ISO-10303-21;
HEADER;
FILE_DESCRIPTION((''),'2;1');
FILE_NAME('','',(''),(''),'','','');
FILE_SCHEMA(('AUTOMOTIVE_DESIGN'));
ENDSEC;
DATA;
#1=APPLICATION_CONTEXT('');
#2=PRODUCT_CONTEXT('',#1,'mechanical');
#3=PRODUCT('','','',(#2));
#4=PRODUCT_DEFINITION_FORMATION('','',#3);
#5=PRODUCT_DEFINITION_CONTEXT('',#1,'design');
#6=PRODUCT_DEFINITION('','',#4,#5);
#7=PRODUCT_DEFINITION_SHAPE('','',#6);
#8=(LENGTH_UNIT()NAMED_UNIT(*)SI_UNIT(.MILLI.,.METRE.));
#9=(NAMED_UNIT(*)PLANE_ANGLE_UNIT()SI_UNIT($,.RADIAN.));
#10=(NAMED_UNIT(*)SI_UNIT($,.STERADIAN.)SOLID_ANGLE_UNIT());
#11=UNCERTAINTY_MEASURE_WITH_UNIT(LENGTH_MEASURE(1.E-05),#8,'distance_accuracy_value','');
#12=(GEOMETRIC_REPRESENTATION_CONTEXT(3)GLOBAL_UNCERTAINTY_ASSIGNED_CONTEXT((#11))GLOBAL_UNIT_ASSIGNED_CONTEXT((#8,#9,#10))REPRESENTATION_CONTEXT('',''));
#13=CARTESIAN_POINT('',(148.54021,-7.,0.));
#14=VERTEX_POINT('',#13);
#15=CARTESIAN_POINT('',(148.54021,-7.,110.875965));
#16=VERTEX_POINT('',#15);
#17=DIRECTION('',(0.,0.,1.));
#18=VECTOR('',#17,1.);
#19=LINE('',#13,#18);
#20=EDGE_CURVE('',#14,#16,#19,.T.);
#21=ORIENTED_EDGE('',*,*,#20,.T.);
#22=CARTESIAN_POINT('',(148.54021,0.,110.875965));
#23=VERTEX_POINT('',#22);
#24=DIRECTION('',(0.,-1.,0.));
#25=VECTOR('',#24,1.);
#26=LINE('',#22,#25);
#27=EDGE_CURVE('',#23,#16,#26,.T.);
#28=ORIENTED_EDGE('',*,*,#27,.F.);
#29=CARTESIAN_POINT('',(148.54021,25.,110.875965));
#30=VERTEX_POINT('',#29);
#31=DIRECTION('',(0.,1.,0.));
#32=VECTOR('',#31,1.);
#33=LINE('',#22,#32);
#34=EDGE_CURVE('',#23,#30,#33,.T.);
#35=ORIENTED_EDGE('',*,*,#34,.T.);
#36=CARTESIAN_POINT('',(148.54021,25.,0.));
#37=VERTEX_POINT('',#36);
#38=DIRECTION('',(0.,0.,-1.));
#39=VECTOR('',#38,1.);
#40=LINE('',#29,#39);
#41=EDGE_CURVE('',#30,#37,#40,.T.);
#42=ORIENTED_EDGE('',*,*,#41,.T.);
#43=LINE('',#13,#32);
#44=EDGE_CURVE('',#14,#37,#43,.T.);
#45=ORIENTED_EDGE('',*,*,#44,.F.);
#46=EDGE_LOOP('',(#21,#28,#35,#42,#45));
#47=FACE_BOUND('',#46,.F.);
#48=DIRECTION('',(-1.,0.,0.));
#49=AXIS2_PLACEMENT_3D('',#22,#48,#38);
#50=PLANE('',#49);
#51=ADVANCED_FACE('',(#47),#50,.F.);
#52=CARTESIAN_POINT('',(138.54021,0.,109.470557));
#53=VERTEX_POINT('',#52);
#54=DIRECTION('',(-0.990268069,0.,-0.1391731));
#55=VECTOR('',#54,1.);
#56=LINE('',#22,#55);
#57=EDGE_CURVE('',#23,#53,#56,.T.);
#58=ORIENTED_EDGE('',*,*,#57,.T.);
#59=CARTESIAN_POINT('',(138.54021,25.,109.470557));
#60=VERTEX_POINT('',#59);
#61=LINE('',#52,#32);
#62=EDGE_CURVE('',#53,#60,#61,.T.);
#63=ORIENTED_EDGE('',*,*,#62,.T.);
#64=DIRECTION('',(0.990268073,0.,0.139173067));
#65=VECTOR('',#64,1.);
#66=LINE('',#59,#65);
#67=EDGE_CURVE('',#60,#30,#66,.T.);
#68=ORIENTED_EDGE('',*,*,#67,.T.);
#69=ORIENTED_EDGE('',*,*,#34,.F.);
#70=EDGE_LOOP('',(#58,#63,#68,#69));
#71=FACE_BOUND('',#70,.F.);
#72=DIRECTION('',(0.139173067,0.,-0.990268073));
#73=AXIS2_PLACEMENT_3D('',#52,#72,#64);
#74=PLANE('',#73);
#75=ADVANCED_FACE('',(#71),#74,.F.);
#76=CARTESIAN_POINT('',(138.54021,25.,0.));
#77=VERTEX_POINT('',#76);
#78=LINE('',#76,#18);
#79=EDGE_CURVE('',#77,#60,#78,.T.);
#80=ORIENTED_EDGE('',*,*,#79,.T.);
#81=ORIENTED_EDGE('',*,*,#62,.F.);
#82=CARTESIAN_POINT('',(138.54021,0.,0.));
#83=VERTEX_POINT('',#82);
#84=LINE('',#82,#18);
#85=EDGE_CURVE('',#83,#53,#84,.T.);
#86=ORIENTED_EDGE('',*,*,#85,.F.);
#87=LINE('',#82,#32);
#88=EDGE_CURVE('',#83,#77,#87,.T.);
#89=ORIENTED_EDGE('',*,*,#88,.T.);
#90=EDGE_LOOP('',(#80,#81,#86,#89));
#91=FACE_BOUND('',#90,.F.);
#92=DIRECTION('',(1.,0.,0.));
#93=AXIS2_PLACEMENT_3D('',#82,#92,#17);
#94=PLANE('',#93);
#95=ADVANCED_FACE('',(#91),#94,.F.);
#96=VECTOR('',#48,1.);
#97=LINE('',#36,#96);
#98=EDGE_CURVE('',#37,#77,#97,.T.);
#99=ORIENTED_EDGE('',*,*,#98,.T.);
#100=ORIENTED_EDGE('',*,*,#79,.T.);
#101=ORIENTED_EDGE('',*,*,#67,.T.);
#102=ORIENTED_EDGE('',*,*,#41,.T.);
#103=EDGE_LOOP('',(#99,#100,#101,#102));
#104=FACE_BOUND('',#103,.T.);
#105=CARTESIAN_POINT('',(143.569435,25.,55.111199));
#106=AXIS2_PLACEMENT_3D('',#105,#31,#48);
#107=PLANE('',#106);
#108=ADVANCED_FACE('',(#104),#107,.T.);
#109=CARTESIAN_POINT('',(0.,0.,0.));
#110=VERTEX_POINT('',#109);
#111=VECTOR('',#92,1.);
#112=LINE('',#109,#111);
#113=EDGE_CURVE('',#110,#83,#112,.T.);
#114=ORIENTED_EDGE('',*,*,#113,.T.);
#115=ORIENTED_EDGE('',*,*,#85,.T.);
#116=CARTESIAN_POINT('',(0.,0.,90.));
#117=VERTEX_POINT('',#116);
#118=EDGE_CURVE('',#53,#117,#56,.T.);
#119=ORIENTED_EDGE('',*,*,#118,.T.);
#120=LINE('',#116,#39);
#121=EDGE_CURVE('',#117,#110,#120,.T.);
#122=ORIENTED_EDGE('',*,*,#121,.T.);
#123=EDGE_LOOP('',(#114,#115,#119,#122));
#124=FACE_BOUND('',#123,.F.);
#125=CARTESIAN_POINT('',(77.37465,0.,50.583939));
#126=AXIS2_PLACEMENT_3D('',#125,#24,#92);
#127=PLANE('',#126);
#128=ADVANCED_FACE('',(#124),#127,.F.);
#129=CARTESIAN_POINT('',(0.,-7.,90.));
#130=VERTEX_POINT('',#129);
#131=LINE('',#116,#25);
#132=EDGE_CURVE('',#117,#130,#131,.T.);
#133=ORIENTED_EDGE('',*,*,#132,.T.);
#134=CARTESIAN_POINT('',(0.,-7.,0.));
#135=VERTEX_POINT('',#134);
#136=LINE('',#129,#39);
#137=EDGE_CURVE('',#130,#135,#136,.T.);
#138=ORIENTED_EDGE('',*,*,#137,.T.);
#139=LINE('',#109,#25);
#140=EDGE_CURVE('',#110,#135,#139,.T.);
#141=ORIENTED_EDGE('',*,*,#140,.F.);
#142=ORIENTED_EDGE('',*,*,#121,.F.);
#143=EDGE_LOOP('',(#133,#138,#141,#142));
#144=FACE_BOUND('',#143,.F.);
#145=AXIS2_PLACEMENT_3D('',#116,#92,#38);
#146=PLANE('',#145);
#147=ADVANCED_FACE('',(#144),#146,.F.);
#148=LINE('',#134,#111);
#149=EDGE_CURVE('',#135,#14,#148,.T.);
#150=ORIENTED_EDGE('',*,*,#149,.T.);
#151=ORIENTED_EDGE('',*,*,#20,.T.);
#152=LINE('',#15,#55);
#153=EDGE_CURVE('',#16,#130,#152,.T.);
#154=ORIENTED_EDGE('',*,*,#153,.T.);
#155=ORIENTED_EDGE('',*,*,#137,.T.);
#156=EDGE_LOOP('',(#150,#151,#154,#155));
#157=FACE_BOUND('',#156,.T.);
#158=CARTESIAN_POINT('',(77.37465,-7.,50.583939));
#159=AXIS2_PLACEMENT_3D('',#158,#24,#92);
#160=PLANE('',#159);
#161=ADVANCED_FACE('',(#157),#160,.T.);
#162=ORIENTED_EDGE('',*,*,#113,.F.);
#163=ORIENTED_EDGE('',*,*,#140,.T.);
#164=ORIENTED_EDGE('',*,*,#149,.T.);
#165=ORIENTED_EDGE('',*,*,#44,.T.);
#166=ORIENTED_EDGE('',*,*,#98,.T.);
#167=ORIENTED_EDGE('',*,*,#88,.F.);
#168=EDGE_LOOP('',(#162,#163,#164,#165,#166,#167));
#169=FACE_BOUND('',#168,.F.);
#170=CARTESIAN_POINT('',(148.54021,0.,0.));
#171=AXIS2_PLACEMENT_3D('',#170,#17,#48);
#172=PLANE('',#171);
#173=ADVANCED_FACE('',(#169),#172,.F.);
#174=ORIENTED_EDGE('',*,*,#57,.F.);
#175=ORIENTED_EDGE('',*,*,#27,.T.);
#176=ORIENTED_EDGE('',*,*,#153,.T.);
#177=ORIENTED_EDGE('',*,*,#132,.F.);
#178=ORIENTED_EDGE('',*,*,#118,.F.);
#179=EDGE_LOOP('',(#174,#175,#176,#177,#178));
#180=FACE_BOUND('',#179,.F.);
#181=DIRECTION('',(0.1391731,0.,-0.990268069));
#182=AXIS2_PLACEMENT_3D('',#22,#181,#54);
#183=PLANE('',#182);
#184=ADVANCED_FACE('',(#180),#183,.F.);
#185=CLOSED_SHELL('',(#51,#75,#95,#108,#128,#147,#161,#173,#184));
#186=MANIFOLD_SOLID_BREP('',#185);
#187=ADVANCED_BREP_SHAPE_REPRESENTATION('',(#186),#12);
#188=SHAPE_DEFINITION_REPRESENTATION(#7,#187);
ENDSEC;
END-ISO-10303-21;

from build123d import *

# Parameters (mm, degrees)
F1_DEPTH = 7
F3_DEPTH = 25


with BuildPart() as f1:
    # F0 (on Front) → F1 (new body)
    with BuildSketch(Plane.XZ):
        Polygon((0, 90), (0, 0), (148.54021, 0), (148.54021, 110.875965), align=None)
    extrude(amount=F1_DEPTH)

    # F2 (on face) → F3 (join)
    with BuildSketch(Plane(origin=(0, 0, 0), x_dir=(-1, 0, 0), z_dir=(0, 1, 0))):
        Polygon((-138.54021, 109.470557), (-148.54021, 110.875965), (-148.54021, 0), (-138.54021, 0), align=None)
    extrude(amount=F3_DEPTH)


solid = f1.part
